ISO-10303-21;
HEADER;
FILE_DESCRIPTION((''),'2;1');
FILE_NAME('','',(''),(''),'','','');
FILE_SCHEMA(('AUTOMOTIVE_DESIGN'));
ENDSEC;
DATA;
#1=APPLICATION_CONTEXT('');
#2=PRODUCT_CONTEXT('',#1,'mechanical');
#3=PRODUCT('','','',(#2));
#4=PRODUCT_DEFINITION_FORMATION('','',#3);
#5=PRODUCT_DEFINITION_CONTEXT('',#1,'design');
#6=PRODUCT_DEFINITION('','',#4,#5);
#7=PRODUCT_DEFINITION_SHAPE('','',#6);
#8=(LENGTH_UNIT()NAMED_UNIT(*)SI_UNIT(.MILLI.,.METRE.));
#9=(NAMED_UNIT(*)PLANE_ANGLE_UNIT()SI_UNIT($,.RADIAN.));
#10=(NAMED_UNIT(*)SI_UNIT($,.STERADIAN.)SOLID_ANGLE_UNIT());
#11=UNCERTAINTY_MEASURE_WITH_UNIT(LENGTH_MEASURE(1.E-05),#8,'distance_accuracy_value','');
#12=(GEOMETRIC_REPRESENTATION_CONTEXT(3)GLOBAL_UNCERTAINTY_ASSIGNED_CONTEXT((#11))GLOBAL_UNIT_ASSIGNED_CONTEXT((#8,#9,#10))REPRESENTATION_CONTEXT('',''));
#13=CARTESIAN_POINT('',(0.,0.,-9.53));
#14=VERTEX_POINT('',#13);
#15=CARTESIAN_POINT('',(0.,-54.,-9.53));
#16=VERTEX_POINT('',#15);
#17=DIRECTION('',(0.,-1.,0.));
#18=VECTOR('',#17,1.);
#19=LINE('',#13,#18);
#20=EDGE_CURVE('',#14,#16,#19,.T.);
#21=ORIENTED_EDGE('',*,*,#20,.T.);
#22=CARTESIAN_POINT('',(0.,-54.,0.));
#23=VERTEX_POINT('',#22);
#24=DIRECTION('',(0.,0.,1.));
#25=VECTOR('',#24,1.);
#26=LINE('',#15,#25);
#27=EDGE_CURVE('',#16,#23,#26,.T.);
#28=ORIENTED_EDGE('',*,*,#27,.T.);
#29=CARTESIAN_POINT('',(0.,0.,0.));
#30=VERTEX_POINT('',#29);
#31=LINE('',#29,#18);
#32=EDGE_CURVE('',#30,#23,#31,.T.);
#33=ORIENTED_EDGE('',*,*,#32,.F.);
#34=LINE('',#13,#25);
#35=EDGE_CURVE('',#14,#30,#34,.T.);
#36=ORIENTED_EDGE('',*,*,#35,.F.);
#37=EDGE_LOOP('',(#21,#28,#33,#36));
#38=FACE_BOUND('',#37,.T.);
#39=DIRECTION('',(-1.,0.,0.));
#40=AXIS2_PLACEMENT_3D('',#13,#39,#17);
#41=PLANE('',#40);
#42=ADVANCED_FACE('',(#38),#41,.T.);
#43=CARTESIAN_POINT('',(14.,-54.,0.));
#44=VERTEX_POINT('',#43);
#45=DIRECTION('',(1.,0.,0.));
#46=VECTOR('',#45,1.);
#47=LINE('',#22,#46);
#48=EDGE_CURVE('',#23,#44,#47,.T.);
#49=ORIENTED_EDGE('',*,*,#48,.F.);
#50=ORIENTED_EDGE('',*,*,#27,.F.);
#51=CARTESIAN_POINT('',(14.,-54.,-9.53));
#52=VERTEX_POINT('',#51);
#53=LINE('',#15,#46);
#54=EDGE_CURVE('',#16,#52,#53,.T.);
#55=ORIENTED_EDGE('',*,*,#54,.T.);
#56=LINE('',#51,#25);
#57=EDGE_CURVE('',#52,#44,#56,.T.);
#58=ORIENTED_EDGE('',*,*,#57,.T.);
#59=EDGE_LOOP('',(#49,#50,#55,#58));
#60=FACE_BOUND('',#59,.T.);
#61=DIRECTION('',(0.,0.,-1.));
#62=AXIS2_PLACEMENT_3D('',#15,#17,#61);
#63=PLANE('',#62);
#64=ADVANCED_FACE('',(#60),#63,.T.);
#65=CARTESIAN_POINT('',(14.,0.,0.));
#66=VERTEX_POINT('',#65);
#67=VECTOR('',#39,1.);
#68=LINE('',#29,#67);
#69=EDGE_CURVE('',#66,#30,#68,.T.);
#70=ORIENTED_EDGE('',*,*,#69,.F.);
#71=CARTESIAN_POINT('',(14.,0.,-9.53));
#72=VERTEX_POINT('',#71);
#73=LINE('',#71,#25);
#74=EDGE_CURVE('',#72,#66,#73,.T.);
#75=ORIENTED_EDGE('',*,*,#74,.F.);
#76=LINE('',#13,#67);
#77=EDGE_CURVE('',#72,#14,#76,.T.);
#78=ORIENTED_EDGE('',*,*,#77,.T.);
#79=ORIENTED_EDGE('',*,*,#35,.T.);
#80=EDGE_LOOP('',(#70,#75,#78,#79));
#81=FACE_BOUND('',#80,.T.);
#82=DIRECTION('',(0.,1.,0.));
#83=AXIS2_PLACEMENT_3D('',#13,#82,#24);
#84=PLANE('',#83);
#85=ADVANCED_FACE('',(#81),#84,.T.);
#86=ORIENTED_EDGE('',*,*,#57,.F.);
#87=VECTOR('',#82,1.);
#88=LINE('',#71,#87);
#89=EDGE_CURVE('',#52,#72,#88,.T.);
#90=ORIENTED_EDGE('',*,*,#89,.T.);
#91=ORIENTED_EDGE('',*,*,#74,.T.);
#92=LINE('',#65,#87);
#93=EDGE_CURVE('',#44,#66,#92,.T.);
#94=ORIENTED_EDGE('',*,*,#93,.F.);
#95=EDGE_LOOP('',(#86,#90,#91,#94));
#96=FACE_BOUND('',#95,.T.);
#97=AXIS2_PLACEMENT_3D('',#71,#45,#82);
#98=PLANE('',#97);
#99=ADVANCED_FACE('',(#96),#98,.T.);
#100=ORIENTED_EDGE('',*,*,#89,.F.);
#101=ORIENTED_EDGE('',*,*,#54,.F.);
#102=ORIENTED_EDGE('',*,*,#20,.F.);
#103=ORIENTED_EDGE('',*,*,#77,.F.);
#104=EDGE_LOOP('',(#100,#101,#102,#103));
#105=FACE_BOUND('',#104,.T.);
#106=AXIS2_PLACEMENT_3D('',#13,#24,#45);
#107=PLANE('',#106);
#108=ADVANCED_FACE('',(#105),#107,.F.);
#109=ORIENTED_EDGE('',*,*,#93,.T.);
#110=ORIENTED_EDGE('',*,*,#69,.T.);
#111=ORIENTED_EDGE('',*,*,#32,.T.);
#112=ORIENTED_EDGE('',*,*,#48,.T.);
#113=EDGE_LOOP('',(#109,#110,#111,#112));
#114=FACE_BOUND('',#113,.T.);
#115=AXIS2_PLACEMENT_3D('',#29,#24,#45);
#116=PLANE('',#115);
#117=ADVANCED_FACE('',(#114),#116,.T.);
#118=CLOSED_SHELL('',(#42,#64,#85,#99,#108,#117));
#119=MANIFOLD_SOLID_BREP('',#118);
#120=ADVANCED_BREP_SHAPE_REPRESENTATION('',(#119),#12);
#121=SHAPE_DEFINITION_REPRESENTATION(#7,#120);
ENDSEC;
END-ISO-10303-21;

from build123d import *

# Parameters (mm, degrees)
SKETCH1_W           = 14
SKETCH1_H           = 54
BOSS_EXTRUDE1_DEPTH = 9.53


with BuildPart() as part:
    # Sketch1 → Boss-Extrude1 (new body)
    with BuildSketch(Plane.XY):
        with Locations((7, -27)):
            Rectangle(SKETCH1_W, SKETCH1_H)
    extrude(amount=-BOSS_EXTRUDE1_DEPTH)


solid = part.part
